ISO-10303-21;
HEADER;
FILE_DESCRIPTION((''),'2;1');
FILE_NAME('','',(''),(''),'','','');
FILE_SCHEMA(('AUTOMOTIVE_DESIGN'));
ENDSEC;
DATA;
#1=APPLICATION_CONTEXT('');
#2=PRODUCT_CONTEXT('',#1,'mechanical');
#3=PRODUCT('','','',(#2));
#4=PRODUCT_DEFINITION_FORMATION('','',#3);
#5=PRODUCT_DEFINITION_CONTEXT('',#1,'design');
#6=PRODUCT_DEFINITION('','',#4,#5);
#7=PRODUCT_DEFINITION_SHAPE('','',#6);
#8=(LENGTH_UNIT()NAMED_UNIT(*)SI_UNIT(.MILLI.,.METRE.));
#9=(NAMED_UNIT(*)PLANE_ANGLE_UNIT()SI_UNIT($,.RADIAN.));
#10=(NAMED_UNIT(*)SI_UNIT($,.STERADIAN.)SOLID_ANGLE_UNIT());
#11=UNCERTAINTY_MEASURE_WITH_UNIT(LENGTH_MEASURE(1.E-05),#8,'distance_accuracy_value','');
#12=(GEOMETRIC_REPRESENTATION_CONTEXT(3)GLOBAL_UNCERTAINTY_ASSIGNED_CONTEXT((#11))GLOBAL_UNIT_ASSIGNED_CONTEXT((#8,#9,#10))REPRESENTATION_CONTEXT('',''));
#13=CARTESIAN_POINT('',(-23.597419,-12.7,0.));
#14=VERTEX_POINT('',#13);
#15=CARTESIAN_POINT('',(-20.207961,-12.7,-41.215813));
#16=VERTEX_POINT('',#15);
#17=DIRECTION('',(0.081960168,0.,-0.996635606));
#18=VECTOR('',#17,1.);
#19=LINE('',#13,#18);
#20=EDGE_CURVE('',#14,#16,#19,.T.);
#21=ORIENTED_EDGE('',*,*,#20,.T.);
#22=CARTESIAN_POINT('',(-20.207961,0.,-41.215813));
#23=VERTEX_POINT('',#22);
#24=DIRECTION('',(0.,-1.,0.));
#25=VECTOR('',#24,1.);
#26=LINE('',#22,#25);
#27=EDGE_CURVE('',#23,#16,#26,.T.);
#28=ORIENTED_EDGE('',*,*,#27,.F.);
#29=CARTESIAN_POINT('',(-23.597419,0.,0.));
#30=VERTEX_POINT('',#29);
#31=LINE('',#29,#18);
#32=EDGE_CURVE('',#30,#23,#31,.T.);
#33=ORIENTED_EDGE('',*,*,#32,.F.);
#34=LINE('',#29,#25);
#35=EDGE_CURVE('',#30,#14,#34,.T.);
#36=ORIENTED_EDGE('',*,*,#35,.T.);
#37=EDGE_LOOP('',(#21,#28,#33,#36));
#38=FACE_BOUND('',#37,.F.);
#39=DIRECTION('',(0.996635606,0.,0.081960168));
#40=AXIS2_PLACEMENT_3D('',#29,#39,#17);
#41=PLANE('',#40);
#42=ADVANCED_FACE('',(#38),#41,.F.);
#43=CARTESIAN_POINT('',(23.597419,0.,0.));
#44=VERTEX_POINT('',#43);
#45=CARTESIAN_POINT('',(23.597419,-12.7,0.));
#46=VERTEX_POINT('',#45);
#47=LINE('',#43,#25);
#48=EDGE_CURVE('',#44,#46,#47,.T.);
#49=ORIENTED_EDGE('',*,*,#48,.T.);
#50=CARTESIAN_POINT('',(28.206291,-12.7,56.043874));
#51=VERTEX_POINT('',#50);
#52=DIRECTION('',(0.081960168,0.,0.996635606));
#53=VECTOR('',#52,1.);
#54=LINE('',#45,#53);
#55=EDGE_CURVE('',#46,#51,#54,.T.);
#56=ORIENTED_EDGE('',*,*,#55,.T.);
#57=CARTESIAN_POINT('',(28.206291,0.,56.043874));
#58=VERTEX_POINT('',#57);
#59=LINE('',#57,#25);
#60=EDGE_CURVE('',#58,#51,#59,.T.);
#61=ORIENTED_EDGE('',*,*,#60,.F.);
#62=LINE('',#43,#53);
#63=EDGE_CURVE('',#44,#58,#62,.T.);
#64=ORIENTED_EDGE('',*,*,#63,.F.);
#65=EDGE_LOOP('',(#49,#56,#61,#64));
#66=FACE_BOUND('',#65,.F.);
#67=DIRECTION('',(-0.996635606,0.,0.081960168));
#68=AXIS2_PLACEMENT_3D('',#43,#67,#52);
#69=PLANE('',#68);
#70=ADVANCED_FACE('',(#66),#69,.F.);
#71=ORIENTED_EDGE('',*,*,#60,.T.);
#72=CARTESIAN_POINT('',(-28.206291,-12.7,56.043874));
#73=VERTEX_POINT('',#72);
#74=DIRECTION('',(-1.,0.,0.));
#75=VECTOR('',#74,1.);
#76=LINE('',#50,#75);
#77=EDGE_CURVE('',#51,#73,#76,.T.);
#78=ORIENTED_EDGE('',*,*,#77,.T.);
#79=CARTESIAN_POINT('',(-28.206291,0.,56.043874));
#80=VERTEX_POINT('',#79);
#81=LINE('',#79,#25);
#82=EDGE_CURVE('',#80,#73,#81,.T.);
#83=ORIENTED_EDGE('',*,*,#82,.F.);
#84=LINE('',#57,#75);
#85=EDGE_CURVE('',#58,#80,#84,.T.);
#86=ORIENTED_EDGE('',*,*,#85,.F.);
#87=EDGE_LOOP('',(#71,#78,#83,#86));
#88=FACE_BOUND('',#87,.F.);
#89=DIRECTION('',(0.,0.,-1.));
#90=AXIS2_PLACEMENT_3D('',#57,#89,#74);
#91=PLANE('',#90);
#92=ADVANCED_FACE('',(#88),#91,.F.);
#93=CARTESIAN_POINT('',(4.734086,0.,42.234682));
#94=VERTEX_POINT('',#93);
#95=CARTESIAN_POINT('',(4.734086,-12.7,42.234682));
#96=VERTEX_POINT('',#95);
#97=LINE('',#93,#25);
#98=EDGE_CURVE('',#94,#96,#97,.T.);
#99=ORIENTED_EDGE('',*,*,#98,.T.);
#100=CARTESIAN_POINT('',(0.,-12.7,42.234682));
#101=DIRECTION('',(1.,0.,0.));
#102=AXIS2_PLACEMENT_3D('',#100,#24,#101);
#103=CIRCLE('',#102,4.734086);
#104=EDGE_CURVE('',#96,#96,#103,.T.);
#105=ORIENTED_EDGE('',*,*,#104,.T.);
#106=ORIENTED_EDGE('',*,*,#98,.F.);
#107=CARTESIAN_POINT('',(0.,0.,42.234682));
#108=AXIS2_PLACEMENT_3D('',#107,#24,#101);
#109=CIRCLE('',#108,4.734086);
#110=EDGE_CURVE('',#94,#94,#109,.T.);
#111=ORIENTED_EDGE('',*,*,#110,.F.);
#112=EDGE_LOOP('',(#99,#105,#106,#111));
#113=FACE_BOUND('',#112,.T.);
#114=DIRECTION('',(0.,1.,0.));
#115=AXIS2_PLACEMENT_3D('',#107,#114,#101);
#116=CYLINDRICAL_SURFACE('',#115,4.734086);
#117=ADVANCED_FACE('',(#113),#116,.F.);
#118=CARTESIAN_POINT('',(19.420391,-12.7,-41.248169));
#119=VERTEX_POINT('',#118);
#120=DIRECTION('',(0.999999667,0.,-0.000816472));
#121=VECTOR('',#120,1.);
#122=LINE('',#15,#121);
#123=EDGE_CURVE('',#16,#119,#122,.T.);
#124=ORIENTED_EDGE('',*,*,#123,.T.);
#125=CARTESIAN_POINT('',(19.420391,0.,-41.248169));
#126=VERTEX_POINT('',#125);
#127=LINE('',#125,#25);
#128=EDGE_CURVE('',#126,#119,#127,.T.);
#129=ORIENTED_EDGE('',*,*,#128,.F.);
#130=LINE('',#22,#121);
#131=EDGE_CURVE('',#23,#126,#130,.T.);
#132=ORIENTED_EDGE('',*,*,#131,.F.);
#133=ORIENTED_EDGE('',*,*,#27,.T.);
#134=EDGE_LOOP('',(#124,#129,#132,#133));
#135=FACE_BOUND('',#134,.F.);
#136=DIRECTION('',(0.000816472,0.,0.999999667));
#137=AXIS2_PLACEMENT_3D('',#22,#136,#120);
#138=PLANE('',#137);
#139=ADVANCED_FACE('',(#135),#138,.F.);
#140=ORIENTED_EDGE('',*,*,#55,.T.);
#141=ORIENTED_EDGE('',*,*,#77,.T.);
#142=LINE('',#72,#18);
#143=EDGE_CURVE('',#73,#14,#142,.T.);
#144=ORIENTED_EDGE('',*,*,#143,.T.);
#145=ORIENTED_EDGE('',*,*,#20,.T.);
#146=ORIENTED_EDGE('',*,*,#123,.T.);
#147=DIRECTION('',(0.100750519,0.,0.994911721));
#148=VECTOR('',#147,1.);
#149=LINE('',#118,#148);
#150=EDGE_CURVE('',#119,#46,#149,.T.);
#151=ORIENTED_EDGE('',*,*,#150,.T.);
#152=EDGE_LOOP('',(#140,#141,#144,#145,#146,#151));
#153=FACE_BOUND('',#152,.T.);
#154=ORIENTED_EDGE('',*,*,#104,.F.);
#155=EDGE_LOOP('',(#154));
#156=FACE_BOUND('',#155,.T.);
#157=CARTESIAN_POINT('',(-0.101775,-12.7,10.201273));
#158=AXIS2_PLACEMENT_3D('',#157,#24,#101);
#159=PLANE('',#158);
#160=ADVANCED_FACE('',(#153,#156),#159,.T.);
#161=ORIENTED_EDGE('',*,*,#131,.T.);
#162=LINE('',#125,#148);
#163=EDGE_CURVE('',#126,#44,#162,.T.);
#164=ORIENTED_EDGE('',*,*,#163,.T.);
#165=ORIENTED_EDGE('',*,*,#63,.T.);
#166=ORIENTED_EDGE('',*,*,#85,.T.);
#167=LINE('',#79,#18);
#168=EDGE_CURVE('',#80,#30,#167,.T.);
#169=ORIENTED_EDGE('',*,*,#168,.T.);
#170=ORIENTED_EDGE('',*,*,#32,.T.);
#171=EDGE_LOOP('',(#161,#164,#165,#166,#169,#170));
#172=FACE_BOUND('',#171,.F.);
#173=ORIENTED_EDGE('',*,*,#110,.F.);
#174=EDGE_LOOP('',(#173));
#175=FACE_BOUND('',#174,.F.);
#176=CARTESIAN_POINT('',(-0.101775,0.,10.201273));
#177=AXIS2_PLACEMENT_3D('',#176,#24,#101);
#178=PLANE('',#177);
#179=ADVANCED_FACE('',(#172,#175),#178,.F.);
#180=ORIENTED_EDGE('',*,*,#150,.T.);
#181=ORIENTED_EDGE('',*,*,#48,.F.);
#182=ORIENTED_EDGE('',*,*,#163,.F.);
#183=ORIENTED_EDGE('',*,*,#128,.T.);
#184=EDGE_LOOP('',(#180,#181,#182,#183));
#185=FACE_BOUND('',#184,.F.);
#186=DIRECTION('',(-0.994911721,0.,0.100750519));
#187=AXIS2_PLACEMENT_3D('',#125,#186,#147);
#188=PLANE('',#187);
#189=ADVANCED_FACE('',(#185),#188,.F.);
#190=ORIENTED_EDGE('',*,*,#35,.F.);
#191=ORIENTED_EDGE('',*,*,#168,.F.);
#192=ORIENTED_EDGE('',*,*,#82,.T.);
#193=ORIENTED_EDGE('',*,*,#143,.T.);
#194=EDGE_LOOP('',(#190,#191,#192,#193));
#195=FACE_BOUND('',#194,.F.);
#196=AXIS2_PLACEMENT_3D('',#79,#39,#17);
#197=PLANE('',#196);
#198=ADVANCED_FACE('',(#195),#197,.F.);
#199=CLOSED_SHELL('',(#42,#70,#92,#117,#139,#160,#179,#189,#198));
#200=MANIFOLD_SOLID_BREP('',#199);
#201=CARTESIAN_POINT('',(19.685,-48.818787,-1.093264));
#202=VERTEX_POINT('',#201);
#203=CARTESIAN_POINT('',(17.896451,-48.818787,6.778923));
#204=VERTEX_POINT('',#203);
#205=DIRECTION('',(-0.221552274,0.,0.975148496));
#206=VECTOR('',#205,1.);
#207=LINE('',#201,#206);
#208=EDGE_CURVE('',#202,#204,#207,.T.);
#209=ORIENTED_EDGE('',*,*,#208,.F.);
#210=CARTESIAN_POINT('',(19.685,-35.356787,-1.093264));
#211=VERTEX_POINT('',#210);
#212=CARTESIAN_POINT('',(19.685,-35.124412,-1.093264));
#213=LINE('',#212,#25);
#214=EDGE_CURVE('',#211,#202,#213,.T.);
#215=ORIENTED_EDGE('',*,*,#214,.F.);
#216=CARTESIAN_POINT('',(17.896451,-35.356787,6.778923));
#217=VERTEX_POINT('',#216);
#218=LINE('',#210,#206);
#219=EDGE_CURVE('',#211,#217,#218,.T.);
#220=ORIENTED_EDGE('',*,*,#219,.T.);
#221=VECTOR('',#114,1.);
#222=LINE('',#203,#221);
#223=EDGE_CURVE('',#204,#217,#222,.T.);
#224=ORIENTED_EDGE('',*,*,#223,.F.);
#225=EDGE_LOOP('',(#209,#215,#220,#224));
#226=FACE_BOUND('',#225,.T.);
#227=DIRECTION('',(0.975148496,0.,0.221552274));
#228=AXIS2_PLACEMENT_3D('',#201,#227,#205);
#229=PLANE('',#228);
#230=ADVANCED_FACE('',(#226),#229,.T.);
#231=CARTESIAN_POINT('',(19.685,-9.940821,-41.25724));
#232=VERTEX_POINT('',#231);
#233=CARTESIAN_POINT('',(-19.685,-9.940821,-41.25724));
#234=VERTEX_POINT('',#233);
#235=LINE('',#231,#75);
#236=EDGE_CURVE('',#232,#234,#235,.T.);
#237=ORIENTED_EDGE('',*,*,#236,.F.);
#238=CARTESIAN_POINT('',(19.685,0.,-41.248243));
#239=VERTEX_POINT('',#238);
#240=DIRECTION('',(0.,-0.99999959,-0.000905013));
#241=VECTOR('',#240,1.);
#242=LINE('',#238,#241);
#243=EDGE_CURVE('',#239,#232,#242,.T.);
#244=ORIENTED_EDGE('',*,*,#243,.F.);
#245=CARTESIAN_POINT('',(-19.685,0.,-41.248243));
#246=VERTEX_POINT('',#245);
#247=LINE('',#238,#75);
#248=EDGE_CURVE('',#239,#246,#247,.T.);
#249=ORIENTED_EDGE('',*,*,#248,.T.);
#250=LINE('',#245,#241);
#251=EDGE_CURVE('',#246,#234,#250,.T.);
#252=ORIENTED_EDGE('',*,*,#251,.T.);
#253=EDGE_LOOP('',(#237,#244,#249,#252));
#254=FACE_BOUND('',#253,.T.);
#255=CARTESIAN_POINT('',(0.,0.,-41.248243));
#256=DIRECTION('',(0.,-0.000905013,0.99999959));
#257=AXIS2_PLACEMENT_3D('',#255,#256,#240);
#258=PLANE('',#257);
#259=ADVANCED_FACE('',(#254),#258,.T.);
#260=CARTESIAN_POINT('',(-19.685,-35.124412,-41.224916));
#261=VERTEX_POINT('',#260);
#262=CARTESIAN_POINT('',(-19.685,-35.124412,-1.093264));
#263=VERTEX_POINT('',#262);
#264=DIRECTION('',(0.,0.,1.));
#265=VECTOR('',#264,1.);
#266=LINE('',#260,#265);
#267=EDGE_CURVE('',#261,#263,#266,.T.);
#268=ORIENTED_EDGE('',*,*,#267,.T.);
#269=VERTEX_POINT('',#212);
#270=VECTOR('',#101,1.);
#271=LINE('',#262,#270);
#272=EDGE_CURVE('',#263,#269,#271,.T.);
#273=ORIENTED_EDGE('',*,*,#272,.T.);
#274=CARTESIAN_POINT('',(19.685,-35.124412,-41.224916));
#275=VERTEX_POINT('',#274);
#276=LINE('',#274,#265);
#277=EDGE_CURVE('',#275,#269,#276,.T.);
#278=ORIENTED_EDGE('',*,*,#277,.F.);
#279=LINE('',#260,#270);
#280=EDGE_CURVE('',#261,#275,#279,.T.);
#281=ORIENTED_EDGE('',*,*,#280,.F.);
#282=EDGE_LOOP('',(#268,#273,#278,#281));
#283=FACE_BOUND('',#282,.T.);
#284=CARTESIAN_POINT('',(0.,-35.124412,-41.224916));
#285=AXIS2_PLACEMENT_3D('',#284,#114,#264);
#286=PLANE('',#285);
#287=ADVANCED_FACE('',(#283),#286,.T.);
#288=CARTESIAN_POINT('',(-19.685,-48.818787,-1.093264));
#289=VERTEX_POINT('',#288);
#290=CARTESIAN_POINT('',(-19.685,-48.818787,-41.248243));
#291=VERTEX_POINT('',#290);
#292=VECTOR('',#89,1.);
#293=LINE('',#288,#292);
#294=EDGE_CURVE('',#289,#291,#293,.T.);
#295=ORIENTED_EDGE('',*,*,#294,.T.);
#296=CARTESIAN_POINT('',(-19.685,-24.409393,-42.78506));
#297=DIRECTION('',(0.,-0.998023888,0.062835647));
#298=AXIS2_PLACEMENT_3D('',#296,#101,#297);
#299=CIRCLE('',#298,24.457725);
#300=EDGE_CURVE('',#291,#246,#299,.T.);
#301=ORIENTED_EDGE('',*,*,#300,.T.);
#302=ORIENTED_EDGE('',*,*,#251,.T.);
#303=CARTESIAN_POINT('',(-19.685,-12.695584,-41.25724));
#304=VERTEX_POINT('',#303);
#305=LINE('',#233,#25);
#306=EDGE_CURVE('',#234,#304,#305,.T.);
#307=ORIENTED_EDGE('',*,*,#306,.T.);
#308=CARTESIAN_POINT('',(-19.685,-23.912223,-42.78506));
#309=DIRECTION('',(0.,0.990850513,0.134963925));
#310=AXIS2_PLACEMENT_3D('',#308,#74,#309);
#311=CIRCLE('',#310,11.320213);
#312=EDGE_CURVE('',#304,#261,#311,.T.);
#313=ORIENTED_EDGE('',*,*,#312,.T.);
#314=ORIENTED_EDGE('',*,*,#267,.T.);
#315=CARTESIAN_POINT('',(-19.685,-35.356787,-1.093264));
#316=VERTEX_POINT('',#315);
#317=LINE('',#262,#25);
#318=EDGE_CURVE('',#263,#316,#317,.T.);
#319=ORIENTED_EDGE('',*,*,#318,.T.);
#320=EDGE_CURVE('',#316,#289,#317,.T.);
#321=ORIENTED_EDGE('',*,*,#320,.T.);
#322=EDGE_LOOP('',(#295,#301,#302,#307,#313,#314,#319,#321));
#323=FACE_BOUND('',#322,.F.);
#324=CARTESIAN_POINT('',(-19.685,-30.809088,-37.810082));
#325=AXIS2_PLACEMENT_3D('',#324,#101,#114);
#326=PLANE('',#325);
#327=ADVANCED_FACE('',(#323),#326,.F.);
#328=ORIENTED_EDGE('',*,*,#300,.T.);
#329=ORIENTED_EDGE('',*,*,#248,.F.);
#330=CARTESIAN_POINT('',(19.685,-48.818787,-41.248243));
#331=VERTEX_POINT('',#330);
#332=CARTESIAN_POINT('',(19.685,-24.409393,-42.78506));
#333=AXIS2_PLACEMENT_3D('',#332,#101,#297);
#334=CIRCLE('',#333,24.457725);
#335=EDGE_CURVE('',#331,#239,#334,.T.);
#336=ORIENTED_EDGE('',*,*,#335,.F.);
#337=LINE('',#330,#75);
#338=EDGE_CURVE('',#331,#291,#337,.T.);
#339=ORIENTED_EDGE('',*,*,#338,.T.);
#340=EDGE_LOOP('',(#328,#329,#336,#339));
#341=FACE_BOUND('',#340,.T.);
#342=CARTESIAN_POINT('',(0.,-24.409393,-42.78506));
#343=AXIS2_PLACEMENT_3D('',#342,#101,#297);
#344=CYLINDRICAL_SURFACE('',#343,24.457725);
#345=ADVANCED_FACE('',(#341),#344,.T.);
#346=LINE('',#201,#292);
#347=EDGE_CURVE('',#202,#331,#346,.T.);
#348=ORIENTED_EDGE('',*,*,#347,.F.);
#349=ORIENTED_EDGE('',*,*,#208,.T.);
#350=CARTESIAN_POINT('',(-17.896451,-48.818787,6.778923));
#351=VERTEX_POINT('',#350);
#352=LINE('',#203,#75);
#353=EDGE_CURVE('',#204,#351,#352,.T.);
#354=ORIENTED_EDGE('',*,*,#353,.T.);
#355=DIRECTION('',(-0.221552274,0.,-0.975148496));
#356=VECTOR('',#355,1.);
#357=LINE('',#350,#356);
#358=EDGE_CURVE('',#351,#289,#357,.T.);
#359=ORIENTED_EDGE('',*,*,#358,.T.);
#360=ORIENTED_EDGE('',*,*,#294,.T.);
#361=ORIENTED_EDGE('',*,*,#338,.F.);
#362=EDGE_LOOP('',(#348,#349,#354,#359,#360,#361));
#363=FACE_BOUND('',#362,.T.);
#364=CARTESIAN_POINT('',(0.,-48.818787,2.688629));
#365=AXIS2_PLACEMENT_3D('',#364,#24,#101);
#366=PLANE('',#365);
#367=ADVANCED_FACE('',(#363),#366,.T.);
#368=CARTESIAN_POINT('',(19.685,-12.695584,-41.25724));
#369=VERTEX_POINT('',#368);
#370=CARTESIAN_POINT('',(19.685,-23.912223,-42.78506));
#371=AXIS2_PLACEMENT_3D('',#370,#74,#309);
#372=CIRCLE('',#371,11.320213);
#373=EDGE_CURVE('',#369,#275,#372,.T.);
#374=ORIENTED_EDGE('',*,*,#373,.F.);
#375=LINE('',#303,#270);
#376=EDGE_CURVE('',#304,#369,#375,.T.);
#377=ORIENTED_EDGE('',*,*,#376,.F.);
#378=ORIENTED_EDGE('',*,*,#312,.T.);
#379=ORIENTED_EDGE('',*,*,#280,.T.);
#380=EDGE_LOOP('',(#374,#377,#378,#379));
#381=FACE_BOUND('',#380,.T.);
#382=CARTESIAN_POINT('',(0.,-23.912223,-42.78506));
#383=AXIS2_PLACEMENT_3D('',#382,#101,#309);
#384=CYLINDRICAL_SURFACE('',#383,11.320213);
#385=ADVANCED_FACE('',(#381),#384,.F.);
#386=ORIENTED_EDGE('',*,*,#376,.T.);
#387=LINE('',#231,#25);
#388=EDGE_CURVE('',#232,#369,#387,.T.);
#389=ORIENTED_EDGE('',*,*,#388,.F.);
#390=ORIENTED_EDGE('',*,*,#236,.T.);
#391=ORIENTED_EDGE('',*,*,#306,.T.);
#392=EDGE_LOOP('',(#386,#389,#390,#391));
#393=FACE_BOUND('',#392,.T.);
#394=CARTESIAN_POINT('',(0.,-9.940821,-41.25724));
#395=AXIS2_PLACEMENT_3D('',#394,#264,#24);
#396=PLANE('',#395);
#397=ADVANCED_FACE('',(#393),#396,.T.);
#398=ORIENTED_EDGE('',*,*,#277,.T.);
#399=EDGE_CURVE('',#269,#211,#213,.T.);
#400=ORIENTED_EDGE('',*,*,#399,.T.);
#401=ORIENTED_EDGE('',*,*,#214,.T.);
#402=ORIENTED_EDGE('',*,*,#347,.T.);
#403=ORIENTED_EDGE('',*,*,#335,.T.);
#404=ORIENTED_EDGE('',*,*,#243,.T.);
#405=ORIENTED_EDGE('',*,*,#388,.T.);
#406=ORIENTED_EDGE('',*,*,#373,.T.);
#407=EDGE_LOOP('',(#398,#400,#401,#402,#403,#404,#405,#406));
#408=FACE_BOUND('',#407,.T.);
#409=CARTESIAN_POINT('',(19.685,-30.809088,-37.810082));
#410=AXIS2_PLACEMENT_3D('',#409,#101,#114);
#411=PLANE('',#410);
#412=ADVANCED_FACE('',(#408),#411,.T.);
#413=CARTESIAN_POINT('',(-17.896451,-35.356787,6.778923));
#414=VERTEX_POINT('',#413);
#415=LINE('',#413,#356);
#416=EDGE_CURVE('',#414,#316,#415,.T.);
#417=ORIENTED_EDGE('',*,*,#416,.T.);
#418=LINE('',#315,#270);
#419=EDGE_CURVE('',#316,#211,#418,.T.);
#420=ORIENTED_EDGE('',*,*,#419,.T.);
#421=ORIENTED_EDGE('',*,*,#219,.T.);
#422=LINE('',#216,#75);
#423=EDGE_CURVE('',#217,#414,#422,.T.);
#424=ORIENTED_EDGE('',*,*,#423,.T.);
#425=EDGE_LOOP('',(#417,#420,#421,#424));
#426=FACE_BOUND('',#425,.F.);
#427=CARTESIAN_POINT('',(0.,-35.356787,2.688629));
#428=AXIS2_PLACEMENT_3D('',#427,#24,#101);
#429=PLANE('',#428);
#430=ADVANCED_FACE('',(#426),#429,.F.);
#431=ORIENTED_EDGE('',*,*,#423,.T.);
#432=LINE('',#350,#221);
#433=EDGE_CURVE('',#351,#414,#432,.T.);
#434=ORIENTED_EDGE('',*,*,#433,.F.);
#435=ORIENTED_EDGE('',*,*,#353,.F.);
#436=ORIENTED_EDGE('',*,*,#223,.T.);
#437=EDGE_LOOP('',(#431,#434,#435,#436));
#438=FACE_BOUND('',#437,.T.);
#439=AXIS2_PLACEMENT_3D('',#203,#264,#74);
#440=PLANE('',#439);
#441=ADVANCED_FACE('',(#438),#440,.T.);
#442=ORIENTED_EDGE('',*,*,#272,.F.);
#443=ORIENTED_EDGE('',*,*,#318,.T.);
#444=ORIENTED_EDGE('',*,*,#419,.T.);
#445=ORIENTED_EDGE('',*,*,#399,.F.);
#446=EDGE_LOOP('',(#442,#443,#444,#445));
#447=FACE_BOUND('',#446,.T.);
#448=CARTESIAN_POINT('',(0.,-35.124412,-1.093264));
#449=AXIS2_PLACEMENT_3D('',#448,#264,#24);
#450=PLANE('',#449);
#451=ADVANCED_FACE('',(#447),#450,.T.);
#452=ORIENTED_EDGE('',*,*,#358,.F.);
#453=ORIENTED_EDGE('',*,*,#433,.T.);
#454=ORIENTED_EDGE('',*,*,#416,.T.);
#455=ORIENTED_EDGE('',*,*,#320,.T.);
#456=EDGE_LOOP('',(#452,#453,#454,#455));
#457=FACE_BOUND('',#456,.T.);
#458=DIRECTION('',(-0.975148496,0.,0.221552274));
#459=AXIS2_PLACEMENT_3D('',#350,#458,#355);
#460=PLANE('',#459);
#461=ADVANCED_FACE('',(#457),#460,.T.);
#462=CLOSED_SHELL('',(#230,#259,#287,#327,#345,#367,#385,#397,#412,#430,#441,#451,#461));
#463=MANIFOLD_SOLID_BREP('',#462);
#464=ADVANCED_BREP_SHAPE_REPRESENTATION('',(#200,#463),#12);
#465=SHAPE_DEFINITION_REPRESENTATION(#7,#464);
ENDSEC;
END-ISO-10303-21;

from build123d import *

# Parameters (mm, degrees)
F0_R     = 4.7340858412
F1_DEPTH = 12.7
F3_DEPTH = 19.685
F5_DEPTH = 13.462


with BuildPart() as f1:
    # F0 (on Front) → F1 (new body)
    with BuildSketch(Plane.XZ):
        Polygon((28.2062906772, 56.0438744724), (-28.2062906772, 56.0438744724), (-23.5974192619, 0), (-20.2079608097, -41.2158133545), (19.4203909487, -41.2481687963), (23.5974192619, 0), align=None)
        with Locations((0, 42.2346815467)):
            Circle(F0_R, mode=Mode.SUBTRACT)
    extrude(amount=F1_DEPTH)


with BuildPart() as f3:
    # F2 (on Right) → F3 (new body, symmetric)
    with BuildSketch(Plane.YZ):
        with BuildLine():
            Line((-9.9408207461, -41.2572398782), (-12.6955840965, -41.2572398782))
            ThreePointArc((-12.6955840965, -41.2572398782), (-23.9285376886, -54.1052616117), (-35.1244116515, -41.2249155343))
            Line((-35.1244116515, -41.2249155343), (-35.1244116515, -1.0932636214))
            Line((-35.1244116515, -1.0932636214), (-36.4736020565, -1.0932636214))
            Line((-36.4736020565, -1.0932636214), (-48.8187869123, -1.0932636214))
            Line((-48.8187869123, -1.0932636214), (-48.8187869123, -41.2482433021))
            ThreePointArc((-48.8187869123, -41.2482433021), (-24.4093934561, -67.2427849201), (0, -41.2482433021))
            Line((0, -41.2482433021), (-9.9408207461, -41.2572398782))
        make_face()
    extrude(amount=F3_DEPTH, both=True)

    # F4 (on face) → F5 (join)
    with BuildSketch(Plane.XZ.offset(48.8187869123)):
        Polygon((-17.896451056, 6.7789228633), (-19.685, -1.0932636214), (19.685, -1.0932636214), (17.896451056, 6.7789228633), (0, 6.7789228633), align=None)
    extrude(amount=-F5_DEPTH)


solid = Compound([f1.part, f3.part])
